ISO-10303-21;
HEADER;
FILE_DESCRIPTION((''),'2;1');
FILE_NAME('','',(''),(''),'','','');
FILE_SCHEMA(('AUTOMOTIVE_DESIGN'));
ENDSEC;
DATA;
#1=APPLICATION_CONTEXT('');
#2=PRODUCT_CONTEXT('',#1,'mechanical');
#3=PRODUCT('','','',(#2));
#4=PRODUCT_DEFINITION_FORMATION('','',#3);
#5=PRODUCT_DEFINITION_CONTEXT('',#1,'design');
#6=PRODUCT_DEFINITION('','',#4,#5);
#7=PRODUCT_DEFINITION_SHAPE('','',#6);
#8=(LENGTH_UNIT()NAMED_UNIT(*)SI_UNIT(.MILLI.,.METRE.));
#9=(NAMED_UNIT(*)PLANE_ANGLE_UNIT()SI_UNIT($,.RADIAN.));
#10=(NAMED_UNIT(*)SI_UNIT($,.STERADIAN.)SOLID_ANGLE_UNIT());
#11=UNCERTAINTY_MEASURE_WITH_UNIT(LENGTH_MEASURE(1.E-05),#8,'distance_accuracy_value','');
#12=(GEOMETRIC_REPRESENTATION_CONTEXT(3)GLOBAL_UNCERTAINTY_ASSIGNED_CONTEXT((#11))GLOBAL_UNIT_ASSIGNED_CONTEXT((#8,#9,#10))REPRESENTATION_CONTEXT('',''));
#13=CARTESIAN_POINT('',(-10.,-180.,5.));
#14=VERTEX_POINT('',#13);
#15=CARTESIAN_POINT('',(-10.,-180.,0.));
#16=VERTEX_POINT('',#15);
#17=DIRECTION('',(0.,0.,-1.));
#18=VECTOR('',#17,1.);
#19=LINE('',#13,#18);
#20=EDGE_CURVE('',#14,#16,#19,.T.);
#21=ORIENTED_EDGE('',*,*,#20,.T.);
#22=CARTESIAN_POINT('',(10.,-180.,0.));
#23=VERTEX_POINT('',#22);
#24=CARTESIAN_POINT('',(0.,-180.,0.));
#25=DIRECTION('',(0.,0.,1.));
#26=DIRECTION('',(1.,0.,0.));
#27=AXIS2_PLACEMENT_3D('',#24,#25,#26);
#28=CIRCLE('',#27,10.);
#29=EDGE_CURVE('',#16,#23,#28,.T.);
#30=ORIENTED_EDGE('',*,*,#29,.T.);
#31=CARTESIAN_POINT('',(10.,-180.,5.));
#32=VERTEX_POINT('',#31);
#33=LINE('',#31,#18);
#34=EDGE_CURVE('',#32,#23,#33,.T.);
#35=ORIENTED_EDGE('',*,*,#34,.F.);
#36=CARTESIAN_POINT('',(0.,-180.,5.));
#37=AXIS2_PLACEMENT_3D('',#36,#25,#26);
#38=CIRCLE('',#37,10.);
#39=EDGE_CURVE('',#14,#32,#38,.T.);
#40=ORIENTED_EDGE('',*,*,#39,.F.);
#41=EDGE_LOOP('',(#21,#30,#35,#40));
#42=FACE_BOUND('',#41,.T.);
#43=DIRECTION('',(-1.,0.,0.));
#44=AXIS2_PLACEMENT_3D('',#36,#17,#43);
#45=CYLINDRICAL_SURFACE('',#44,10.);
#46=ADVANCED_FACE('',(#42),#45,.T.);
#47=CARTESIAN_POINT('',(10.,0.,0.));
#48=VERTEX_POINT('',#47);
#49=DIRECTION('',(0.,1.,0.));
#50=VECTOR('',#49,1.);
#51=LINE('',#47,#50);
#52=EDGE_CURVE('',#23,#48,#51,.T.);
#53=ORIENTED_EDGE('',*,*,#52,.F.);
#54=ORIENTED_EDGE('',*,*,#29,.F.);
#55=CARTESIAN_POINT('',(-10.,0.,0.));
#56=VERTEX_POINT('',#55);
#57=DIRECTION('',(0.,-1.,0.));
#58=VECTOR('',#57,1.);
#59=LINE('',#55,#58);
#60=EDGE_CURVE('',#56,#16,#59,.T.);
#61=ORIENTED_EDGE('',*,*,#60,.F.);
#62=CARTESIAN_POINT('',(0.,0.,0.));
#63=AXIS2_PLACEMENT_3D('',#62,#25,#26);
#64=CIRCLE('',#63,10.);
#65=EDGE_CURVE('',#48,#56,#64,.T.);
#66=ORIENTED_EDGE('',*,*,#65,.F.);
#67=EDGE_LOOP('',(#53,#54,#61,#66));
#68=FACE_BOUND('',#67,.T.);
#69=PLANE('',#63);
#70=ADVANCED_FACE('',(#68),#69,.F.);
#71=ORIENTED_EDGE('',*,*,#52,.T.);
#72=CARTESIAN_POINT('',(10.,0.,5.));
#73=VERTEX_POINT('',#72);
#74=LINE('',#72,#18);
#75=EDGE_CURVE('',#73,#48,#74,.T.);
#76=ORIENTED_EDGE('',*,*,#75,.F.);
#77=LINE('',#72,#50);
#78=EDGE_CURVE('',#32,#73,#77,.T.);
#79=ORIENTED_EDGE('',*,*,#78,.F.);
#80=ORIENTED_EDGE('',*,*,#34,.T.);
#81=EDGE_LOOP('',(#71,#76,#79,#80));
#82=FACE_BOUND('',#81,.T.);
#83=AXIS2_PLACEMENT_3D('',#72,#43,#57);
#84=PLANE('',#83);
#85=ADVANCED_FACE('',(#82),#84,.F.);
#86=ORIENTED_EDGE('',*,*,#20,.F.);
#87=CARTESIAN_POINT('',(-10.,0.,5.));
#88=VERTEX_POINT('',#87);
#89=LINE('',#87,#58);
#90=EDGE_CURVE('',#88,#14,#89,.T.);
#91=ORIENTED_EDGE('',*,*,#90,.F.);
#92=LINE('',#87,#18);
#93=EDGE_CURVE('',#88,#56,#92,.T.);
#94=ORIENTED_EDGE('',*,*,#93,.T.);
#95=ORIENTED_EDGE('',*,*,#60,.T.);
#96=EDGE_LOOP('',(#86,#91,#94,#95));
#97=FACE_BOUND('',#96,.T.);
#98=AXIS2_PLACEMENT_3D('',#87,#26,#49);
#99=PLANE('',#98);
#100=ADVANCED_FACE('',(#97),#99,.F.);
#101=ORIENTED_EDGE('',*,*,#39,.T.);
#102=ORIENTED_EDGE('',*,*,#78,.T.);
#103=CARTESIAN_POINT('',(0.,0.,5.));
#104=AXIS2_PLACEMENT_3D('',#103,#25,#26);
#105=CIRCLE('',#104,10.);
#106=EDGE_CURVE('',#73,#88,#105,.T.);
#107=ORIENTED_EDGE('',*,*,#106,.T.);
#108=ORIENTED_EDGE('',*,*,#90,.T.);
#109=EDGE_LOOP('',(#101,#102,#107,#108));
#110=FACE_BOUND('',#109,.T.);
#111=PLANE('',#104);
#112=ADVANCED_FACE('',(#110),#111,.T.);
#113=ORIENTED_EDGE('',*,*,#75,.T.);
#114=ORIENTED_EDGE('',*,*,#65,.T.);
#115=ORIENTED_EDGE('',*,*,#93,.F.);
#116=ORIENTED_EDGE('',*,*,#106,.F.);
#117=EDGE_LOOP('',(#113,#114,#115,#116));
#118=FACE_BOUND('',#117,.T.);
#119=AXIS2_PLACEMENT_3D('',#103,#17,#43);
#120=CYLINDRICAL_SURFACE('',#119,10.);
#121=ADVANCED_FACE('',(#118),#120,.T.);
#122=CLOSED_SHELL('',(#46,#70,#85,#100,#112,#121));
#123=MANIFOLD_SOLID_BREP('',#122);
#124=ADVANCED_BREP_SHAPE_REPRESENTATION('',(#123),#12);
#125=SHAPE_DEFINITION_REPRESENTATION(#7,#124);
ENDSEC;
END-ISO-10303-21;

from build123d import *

# Parameters (mm, degrees)
EXTRUDE_1_DEPTH = 5


with BuildPart() as part:
    # 草图1 → 凸台-拉伸1 (new body)
    with BuildSketch(Plane.XY):
        with BuildLine():
            Line((10, 0), (10, -180))
            ThreePointArc((10, -180), (0, -190), (-10, -180))
            Line((-10, -180), (-10, 0))
            ThreePointArc((-10, 0), (0, 10), (10, 0))
        make_face()
    extrude(amount=EXTRUDE_1_DEPTH)


solid = part.part
